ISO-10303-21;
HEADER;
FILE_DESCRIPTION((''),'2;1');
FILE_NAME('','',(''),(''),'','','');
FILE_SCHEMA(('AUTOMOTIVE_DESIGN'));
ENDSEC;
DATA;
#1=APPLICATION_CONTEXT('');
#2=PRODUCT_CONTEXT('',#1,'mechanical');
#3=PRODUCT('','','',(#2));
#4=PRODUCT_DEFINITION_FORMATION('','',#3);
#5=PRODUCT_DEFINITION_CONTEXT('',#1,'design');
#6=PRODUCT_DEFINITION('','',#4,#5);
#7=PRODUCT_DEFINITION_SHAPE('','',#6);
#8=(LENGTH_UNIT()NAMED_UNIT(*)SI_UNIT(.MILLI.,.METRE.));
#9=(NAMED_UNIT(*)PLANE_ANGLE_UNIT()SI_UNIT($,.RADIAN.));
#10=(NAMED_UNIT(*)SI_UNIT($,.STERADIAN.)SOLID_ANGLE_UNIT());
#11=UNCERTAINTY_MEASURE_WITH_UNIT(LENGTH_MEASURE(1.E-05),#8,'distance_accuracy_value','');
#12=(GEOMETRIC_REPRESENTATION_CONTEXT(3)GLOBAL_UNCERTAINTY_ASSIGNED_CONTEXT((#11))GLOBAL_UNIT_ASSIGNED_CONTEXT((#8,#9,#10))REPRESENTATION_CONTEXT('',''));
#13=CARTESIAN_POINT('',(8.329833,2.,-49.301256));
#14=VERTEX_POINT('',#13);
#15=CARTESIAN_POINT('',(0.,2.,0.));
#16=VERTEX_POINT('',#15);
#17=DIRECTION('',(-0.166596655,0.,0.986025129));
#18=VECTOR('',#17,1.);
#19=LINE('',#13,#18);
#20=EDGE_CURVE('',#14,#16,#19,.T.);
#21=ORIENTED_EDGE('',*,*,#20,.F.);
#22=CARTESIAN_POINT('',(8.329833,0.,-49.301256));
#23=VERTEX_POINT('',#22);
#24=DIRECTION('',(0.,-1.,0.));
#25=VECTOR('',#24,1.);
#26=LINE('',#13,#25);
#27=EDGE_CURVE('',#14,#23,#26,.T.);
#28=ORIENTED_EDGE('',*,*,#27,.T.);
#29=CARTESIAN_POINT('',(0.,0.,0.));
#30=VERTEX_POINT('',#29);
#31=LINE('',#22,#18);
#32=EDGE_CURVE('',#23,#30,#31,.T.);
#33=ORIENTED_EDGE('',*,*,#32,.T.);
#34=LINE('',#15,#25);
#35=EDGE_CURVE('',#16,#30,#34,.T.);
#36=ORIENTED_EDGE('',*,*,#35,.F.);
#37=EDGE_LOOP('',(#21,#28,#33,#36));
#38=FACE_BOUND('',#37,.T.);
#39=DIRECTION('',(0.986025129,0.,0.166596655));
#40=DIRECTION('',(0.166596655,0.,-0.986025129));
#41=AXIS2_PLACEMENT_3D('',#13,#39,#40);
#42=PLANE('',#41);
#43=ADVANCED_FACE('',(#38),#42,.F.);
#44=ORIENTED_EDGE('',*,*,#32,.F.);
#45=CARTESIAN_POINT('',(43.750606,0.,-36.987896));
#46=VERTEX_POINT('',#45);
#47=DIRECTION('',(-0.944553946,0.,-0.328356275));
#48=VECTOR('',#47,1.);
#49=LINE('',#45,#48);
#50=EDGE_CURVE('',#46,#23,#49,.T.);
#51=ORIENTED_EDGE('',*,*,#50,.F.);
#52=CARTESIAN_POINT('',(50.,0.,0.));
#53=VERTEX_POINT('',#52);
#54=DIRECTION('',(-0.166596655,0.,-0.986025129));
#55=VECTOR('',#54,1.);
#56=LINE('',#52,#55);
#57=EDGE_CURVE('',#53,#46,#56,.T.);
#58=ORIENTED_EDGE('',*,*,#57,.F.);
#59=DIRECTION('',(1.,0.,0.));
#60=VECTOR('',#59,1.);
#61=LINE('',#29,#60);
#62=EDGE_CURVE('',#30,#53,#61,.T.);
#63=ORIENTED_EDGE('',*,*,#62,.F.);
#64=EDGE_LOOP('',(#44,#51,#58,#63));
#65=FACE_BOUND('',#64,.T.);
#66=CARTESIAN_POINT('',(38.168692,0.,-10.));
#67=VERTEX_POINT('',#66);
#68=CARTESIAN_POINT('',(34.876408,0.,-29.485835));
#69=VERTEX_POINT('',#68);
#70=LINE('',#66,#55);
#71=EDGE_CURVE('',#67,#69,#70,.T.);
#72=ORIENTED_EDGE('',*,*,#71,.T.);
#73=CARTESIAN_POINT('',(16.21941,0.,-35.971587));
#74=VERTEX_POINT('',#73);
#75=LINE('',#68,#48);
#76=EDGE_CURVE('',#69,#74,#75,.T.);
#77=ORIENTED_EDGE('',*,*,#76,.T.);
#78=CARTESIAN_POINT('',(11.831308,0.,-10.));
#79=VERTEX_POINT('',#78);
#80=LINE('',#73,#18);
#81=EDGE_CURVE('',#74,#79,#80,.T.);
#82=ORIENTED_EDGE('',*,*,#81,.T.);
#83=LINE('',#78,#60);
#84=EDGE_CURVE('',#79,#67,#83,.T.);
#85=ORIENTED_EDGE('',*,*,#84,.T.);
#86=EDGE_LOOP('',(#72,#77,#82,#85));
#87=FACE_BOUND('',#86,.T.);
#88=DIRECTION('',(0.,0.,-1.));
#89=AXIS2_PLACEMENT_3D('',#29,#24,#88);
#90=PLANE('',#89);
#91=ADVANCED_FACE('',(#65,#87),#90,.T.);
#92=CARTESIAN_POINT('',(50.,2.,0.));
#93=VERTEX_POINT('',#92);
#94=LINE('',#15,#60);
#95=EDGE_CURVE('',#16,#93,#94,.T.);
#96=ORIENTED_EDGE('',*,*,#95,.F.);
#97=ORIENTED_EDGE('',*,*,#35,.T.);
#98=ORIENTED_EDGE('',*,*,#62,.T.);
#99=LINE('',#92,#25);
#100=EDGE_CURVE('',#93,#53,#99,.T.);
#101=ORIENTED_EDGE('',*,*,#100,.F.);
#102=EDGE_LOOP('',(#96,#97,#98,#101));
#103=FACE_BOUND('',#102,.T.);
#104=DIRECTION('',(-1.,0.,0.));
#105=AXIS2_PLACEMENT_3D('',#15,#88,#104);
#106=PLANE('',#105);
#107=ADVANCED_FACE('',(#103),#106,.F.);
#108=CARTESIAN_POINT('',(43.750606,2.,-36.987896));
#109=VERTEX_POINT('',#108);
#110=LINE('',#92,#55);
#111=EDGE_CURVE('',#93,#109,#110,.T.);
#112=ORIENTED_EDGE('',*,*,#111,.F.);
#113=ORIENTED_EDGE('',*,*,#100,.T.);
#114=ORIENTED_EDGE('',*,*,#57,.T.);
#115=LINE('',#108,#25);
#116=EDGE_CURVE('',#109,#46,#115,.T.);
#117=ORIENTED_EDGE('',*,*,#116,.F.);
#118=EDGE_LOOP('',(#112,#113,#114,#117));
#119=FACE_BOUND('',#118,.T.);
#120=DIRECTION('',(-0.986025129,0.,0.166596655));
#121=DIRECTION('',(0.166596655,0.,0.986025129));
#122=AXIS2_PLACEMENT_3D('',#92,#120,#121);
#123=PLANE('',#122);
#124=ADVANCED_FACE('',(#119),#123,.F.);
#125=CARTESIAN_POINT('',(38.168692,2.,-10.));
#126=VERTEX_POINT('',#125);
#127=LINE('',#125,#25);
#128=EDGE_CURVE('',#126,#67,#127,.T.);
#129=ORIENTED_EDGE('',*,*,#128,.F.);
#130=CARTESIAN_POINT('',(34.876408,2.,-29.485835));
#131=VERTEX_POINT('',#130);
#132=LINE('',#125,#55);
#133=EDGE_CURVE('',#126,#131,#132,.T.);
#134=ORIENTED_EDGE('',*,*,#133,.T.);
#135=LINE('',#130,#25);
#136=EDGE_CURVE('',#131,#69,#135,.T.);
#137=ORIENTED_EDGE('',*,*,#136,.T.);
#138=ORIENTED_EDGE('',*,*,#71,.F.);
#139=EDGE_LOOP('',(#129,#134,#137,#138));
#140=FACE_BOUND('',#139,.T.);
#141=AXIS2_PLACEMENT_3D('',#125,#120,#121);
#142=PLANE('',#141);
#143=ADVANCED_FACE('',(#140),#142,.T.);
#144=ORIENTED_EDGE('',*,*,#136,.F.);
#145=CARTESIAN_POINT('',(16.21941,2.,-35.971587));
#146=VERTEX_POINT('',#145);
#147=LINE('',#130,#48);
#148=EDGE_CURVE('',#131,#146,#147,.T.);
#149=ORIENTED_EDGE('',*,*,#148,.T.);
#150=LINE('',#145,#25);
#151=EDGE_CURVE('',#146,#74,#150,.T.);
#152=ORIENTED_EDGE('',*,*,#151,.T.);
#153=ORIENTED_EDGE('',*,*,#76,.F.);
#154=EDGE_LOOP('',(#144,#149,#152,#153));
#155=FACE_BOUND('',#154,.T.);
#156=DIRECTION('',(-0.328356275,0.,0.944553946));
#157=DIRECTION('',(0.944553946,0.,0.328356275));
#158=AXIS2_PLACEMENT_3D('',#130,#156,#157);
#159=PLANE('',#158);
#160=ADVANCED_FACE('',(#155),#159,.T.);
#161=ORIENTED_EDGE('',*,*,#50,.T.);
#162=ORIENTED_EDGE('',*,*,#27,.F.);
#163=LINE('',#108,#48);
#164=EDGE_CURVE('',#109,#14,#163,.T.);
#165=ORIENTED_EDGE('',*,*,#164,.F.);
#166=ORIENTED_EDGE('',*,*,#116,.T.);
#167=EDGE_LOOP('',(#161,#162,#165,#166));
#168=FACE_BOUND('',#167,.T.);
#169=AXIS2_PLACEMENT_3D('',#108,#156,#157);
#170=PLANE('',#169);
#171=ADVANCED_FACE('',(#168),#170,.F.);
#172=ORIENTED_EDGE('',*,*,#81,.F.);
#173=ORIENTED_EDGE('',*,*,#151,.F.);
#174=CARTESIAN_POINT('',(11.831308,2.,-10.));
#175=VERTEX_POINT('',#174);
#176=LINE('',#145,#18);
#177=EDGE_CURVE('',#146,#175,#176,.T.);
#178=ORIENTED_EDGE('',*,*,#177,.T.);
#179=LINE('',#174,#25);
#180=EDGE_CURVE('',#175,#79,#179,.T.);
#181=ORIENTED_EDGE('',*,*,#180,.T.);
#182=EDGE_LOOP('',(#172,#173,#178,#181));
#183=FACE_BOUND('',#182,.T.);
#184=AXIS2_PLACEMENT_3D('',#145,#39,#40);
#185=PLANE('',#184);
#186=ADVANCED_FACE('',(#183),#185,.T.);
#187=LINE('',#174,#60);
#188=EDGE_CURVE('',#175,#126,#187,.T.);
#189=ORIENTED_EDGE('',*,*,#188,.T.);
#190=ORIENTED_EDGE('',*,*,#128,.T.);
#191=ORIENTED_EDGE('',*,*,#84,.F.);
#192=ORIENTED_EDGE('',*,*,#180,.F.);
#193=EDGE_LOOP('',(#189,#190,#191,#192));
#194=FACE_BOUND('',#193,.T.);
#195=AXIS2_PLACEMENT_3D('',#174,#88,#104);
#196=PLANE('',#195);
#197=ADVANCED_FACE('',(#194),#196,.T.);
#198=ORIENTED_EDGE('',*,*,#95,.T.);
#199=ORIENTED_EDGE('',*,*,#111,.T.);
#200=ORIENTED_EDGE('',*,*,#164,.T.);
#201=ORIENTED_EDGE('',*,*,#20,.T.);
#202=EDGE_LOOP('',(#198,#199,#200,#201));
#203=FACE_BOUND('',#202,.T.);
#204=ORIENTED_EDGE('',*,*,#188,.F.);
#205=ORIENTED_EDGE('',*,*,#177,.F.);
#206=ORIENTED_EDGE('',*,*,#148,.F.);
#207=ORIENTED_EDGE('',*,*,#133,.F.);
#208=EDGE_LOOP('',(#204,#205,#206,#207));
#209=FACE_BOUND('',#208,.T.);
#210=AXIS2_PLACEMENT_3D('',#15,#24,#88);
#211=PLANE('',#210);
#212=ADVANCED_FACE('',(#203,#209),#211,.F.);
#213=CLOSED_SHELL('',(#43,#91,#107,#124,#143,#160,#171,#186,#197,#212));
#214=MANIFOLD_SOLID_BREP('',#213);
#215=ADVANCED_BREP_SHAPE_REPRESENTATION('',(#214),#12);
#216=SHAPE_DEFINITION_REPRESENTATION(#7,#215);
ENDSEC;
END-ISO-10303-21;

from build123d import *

# Parameters (mm, degrees)
BOSS_EXTRUDE1_DEPTH = 2


with BuildPart() as part:
    # Sketch1 → Boss-Extrude1 (new body)
    with BuildSketch(Plane(origin=(0, 0, 0), x_dir=(1, 0, 0), z_dir=(0, 1, 0))):
        Polygon((0, 0), (50, 0), (43.750605737, 36.987896111), (8.32983277, 49.301256434), align=None)
        Polygon((16.219410185, 35.971586584), (11.831307555, 10), (38.168692445, 10), (34.876408287, 29.485834836), align=None, mode=Mode.SUBTRACT)
    extrude(amount=BOSS_EXTRUDE1_DEPTH)


solid = part.part
